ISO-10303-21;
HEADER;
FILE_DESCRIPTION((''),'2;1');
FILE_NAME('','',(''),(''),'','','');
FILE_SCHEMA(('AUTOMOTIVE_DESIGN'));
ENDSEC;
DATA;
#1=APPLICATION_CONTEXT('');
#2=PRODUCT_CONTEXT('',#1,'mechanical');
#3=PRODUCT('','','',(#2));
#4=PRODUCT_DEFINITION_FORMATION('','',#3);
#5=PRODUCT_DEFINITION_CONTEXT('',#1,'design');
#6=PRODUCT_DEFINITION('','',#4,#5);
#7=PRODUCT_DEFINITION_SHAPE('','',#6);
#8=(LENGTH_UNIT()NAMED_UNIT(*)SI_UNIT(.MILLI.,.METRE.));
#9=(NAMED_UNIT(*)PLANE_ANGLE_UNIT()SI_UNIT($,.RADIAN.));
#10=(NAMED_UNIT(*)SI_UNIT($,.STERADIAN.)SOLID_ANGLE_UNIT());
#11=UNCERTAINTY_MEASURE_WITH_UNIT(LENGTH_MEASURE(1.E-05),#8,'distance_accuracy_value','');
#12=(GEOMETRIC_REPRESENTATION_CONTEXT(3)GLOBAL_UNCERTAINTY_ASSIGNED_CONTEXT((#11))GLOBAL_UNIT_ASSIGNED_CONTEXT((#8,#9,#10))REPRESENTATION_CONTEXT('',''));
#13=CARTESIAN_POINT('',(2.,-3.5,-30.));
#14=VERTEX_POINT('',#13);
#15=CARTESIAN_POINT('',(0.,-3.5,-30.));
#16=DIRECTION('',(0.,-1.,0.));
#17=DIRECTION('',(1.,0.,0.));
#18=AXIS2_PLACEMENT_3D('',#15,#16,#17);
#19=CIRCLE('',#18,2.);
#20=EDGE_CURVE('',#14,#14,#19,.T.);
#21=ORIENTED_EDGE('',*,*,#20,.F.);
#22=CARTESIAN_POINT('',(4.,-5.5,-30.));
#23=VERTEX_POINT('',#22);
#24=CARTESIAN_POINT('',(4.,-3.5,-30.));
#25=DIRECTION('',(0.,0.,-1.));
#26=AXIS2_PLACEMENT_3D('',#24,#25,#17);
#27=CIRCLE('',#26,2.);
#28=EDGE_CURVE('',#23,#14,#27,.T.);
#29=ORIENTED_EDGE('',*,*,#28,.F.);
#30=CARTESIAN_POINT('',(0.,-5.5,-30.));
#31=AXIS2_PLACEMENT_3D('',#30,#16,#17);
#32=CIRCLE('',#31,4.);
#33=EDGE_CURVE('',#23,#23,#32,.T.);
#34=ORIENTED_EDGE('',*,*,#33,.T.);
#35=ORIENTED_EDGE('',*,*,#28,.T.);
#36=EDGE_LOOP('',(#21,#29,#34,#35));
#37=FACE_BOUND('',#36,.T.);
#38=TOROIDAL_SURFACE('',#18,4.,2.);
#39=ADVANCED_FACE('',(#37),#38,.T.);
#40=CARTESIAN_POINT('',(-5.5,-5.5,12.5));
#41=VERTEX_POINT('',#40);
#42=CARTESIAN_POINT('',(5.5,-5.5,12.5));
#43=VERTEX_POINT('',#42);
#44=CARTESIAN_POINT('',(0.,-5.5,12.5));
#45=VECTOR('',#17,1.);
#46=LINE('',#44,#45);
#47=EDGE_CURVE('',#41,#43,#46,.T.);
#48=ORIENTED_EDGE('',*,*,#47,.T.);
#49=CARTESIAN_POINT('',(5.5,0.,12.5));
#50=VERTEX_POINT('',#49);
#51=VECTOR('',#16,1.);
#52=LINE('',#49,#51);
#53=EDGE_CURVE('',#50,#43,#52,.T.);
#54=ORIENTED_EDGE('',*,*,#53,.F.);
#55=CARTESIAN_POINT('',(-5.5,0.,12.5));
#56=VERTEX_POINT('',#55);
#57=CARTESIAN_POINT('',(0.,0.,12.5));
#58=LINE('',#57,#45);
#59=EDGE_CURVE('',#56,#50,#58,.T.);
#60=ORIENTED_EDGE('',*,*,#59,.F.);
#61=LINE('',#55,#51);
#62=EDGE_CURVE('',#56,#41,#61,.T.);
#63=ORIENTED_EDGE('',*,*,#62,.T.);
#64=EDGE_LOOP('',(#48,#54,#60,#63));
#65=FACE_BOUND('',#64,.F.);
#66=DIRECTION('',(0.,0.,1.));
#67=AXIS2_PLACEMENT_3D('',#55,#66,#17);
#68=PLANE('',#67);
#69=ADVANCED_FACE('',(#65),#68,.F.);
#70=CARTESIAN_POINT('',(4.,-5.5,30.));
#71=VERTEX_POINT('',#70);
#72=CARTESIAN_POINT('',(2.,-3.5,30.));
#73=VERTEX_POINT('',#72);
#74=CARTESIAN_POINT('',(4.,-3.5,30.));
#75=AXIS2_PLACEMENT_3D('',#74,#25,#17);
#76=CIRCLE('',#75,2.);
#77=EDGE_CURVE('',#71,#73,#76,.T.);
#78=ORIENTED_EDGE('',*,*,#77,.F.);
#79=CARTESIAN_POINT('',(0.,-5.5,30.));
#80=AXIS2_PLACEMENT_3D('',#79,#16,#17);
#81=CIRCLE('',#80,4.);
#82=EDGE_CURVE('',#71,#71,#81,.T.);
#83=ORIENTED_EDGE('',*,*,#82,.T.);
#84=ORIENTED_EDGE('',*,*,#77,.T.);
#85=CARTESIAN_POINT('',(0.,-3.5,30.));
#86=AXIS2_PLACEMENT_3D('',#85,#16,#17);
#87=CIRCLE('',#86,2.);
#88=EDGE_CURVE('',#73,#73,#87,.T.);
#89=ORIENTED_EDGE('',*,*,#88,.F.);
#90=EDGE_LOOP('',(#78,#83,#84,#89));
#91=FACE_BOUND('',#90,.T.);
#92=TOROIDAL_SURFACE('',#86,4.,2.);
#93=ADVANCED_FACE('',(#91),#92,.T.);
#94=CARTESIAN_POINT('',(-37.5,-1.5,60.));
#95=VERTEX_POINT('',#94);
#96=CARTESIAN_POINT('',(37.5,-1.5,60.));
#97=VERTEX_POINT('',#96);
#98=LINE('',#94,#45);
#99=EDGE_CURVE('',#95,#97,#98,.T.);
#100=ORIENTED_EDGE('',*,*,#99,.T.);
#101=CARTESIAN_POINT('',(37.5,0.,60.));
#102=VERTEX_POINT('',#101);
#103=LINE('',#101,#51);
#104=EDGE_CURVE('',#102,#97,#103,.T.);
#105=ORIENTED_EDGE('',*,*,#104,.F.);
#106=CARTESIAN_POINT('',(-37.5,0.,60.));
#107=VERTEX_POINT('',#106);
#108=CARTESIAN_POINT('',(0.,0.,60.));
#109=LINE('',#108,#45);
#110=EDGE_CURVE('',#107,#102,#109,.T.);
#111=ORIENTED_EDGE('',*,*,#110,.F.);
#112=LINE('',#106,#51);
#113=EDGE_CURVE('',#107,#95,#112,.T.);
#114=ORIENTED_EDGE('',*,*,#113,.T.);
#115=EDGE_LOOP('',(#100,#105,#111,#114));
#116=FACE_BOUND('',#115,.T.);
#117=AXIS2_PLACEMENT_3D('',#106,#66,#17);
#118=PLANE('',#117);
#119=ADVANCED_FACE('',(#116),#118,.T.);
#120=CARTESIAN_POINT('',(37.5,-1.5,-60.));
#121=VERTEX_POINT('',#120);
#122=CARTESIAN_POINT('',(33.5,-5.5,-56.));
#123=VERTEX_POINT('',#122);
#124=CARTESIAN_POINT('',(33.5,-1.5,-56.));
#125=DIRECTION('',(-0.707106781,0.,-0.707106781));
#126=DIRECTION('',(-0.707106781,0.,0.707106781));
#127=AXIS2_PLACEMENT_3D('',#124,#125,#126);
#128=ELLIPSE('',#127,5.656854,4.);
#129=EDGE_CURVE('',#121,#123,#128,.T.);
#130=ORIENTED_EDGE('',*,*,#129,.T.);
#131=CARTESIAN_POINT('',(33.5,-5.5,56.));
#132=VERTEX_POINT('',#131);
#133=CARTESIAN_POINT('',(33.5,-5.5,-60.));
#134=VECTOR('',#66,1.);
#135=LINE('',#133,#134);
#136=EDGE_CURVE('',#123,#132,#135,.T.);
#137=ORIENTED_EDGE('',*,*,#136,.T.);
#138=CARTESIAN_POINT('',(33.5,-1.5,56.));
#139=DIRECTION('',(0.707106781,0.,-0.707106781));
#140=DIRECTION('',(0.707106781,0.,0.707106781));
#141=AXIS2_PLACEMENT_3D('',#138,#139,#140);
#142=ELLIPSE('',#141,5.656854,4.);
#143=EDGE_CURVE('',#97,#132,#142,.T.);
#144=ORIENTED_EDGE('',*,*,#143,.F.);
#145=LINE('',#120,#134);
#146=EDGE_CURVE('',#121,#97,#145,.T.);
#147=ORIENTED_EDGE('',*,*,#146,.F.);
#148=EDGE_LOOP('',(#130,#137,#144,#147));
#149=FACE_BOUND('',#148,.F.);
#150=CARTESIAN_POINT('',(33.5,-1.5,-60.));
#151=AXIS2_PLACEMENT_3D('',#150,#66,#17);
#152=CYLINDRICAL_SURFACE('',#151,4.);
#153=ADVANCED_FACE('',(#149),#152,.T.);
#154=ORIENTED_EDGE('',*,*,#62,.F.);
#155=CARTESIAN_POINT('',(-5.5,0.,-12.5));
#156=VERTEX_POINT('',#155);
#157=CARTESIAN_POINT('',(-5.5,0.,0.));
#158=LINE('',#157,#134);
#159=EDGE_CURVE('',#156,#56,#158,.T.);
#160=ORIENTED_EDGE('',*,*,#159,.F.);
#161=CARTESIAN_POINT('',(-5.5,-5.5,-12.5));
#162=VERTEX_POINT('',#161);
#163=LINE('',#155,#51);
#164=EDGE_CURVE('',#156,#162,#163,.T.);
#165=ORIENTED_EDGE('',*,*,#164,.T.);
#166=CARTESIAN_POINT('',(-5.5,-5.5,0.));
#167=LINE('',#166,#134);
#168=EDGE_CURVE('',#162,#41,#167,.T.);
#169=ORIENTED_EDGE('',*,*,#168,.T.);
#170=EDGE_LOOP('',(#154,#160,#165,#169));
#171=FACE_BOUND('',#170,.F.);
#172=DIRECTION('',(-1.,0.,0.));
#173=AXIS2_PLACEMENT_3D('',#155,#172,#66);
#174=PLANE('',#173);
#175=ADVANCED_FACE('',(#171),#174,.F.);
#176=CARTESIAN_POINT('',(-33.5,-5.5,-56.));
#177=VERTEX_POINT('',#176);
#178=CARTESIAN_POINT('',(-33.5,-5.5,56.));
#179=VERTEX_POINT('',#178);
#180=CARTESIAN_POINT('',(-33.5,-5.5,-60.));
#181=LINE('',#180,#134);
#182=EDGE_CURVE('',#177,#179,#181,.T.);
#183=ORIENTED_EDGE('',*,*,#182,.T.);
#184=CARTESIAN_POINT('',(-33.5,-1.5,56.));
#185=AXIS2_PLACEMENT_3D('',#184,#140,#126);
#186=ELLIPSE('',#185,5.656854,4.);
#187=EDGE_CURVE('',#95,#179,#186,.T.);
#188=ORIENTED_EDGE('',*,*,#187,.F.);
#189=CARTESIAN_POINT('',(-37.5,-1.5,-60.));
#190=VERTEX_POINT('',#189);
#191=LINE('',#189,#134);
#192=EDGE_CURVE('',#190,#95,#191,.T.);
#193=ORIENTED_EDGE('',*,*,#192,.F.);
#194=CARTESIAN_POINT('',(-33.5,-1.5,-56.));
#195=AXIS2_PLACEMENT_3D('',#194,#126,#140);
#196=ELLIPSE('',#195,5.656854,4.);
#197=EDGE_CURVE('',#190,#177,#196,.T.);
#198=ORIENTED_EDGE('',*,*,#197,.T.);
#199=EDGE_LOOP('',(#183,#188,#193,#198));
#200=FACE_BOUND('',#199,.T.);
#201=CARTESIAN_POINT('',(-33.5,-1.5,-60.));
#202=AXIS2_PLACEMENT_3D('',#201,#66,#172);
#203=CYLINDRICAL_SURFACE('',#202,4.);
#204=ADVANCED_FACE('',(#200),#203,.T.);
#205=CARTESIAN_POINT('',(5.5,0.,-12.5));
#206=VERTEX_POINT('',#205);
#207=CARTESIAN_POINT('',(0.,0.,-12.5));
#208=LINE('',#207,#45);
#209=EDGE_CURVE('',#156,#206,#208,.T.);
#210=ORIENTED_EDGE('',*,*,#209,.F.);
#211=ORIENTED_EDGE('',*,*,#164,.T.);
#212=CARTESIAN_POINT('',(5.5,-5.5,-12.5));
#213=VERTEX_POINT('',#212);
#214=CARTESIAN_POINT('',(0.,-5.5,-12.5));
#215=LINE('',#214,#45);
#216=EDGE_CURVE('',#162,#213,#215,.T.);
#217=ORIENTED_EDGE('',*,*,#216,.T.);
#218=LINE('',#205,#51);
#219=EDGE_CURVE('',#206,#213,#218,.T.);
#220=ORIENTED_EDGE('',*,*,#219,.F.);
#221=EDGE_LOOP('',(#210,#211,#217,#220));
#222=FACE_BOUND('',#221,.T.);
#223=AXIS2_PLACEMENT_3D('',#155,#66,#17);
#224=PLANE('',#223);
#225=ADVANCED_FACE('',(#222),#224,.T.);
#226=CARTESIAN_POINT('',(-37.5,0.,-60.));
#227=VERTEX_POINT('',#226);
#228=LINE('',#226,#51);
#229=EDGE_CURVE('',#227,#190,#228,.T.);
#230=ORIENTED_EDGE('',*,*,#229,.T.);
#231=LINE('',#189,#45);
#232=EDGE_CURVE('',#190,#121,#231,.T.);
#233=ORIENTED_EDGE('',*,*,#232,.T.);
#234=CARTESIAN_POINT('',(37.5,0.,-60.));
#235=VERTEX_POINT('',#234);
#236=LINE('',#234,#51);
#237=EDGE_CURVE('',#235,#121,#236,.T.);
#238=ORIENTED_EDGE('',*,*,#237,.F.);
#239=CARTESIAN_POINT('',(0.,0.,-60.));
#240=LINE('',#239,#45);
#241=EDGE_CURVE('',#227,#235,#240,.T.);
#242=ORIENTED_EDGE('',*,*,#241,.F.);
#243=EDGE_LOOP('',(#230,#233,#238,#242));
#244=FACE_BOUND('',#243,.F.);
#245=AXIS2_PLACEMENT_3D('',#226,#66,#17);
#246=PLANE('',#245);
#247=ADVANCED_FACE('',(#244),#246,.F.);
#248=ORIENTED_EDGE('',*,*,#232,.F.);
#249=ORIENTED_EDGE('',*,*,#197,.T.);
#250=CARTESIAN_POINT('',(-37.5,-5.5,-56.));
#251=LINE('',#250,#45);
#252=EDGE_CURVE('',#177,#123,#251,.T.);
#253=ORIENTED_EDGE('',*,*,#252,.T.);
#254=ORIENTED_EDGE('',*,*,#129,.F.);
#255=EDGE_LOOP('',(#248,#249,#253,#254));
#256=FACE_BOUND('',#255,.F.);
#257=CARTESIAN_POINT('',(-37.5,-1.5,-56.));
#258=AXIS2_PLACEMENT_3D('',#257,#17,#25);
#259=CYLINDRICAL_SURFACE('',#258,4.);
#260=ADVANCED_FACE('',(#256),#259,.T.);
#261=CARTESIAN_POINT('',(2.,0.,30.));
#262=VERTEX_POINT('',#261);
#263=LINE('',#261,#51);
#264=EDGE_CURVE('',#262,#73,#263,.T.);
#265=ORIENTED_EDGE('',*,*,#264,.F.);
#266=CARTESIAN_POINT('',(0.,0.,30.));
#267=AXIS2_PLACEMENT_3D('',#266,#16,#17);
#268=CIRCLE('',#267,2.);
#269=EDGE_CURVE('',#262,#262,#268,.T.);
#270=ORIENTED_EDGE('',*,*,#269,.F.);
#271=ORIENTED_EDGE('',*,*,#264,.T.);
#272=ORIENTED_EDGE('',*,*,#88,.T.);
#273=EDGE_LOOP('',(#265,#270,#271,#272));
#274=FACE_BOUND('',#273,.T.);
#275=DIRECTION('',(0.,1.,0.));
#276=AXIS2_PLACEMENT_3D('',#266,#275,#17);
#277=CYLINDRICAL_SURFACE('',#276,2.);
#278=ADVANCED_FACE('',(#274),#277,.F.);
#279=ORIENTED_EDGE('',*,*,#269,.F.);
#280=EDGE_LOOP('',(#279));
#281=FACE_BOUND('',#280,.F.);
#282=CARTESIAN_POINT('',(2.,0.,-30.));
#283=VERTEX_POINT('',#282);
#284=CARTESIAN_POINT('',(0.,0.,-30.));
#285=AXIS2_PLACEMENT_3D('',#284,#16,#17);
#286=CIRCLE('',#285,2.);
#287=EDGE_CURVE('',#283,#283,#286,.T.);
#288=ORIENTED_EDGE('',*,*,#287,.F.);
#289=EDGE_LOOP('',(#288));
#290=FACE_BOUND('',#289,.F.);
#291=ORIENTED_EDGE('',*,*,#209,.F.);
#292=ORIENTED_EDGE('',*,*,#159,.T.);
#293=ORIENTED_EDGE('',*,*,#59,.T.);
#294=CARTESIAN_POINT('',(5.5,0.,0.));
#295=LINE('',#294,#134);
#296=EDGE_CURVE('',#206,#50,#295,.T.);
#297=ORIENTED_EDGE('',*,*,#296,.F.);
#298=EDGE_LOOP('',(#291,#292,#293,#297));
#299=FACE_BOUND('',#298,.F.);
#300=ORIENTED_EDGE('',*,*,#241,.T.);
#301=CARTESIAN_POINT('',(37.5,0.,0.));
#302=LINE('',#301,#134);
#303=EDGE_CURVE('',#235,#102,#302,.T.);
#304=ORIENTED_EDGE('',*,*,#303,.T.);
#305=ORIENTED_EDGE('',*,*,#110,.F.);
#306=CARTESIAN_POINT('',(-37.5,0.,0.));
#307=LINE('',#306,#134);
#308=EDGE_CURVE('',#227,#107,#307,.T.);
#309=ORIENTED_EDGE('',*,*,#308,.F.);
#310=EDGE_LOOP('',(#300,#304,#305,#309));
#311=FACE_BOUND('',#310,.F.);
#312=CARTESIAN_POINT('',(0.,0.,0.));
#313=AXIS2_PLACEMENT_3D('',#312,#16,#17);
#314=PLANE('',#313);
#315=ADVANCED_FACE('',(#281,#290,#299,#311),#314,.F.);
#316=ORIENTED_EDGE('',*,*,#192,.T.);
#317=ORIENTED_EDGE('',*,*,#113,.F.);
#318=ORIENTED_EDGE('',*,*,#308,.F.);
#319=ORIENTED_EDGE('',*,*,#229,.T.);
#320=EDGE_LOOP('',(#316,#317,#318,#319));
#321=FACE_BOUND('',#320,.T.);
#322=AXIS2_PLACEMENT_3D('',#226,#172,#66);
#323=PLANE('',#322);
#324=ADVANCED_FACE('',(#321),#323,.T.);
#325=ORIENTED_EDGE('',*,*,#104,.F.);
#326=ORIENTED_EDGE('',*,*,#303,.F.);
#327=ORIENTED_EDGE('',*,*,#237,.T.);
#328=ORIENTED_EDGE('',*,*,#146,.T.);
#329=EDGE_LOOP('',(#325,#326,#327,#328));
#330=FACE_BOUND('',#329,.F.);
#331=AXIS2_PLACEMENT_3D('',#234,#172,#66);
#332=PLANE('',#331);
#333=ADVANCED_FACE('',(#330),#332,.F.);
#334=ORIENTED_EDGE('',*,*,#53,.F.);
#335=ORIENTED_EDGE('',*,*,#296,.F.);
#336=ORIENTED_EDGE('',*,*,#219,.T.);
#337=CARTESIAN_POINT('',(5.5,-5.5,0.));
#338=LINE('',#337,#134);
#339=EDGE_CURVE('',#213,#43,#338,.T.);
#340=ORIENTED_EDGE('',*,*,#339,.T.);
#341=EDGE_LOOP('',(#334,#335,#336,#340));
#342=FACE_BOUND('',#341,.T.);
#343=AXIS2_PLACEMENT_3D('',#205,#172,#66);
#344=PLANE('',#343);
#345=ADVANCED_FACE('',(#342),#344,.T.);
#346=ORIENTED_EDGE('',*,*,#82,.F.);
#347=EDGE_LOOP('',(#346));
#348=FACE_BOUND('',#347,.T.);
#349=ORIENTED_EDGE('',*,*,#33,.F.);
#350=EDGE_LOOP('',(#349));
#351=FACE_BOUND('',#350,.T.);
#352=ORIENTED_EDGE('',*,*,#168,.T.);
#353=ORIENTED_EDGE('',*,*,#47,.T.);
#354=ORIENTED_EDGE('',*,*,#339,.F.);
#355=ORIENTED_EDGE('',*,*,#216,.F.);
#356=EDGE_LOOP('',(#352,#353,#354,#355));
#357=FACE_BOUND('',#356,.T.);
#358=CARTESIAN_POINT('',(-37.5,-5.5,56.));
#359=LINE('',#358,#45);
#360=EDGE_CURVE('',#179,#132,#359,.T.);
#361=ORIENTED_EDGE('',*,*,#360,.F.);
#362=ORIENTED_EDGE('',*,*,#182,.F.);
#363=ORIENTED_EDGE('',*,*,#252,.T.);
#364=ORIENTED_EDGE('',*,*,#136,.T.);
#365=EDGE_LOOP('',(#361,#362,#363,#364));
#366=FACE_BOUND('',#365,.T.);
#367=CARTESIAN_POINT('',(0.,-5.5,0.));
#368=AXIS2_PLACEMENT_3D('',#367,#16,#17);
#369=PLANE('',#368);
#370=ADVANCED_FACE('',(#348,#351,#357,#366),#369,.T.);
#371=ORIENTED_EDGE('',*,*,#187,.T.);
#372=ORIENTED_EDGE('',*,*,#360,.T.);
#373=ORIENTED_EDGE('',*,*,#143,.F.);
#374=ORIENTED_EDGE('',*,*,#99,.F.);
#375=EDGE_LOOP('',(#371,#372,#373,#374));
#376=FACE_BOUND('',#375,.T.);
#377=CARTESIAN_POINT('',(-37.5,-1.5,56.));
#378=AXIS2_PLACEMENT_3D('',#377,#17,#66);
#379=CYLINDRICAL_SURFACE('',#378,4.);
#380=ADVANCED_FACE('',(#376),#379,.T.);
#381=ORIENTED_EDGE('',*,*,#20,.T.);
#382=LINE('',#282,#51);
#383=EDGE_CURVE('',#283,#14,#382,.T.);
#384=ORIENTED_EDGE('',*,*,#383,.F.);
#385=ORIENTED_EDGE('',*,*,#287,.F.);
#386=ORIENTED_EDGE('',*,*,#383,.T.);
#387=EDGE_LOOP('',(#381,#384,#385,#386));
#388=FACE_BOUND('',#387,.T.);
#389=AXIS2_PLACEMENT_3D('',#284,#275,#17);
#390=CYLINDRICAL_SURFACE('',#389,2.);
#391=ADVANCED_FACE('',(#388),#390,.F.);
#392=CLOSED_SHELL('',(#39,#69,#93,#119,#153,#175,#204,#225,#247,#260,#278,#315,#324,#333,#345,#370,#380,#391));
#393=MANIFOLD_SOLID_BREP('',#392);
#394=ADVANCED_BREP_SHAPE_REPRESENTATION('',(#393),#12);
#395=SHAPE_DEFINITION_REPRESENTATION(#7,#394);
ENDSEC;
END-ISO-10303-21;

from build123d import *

# Parameters (mm, degrees)
F0_W     = 75
F0_H     = 120
F0_R     = 2
F0_W_2   = 11
F0_H_2   = 25
F1_DEPTH = 5.5
F2_R     = 4
F3_R     = 2


with BuildPart() as f1:
    # F0 (on Front) → F1 (new body)
    with BuildSketch(Plane.XZ):
        Rectangle(F0_W, F0_H)
        with Locations((0, -30)):
            Circle(F0_R, mode=Mode.SUBTRACT)
        Rectangle(F0_W_2, F0_H_2, mode=Mode.SUBTRACT)
        with Locations((0, 30)):
            Circle(F0_R, mode=Mode.SUBTRACT)
    extrude(amount=F1_DEPTH)

    # F2
    f2_edges = [f1.edges().sort_by_distance(p)[0] for p in [
        (-37.5, -5.5, 0),
        (0, -5.5, 60),
        (37.5, -5.5, 0),
        (0, -5.5, -60),
    ]]
    fillet(f2_edges, radius=F2_R)

    # F3
    f3_edges = [f1.edges().sort_by_distance(p)[0] for p in [
        (-2, -5.5, 30),
        (-2, -5.5, -30),
    ]]
    fillet(f3_edges, radius=F3_R)


solid = f1.part
